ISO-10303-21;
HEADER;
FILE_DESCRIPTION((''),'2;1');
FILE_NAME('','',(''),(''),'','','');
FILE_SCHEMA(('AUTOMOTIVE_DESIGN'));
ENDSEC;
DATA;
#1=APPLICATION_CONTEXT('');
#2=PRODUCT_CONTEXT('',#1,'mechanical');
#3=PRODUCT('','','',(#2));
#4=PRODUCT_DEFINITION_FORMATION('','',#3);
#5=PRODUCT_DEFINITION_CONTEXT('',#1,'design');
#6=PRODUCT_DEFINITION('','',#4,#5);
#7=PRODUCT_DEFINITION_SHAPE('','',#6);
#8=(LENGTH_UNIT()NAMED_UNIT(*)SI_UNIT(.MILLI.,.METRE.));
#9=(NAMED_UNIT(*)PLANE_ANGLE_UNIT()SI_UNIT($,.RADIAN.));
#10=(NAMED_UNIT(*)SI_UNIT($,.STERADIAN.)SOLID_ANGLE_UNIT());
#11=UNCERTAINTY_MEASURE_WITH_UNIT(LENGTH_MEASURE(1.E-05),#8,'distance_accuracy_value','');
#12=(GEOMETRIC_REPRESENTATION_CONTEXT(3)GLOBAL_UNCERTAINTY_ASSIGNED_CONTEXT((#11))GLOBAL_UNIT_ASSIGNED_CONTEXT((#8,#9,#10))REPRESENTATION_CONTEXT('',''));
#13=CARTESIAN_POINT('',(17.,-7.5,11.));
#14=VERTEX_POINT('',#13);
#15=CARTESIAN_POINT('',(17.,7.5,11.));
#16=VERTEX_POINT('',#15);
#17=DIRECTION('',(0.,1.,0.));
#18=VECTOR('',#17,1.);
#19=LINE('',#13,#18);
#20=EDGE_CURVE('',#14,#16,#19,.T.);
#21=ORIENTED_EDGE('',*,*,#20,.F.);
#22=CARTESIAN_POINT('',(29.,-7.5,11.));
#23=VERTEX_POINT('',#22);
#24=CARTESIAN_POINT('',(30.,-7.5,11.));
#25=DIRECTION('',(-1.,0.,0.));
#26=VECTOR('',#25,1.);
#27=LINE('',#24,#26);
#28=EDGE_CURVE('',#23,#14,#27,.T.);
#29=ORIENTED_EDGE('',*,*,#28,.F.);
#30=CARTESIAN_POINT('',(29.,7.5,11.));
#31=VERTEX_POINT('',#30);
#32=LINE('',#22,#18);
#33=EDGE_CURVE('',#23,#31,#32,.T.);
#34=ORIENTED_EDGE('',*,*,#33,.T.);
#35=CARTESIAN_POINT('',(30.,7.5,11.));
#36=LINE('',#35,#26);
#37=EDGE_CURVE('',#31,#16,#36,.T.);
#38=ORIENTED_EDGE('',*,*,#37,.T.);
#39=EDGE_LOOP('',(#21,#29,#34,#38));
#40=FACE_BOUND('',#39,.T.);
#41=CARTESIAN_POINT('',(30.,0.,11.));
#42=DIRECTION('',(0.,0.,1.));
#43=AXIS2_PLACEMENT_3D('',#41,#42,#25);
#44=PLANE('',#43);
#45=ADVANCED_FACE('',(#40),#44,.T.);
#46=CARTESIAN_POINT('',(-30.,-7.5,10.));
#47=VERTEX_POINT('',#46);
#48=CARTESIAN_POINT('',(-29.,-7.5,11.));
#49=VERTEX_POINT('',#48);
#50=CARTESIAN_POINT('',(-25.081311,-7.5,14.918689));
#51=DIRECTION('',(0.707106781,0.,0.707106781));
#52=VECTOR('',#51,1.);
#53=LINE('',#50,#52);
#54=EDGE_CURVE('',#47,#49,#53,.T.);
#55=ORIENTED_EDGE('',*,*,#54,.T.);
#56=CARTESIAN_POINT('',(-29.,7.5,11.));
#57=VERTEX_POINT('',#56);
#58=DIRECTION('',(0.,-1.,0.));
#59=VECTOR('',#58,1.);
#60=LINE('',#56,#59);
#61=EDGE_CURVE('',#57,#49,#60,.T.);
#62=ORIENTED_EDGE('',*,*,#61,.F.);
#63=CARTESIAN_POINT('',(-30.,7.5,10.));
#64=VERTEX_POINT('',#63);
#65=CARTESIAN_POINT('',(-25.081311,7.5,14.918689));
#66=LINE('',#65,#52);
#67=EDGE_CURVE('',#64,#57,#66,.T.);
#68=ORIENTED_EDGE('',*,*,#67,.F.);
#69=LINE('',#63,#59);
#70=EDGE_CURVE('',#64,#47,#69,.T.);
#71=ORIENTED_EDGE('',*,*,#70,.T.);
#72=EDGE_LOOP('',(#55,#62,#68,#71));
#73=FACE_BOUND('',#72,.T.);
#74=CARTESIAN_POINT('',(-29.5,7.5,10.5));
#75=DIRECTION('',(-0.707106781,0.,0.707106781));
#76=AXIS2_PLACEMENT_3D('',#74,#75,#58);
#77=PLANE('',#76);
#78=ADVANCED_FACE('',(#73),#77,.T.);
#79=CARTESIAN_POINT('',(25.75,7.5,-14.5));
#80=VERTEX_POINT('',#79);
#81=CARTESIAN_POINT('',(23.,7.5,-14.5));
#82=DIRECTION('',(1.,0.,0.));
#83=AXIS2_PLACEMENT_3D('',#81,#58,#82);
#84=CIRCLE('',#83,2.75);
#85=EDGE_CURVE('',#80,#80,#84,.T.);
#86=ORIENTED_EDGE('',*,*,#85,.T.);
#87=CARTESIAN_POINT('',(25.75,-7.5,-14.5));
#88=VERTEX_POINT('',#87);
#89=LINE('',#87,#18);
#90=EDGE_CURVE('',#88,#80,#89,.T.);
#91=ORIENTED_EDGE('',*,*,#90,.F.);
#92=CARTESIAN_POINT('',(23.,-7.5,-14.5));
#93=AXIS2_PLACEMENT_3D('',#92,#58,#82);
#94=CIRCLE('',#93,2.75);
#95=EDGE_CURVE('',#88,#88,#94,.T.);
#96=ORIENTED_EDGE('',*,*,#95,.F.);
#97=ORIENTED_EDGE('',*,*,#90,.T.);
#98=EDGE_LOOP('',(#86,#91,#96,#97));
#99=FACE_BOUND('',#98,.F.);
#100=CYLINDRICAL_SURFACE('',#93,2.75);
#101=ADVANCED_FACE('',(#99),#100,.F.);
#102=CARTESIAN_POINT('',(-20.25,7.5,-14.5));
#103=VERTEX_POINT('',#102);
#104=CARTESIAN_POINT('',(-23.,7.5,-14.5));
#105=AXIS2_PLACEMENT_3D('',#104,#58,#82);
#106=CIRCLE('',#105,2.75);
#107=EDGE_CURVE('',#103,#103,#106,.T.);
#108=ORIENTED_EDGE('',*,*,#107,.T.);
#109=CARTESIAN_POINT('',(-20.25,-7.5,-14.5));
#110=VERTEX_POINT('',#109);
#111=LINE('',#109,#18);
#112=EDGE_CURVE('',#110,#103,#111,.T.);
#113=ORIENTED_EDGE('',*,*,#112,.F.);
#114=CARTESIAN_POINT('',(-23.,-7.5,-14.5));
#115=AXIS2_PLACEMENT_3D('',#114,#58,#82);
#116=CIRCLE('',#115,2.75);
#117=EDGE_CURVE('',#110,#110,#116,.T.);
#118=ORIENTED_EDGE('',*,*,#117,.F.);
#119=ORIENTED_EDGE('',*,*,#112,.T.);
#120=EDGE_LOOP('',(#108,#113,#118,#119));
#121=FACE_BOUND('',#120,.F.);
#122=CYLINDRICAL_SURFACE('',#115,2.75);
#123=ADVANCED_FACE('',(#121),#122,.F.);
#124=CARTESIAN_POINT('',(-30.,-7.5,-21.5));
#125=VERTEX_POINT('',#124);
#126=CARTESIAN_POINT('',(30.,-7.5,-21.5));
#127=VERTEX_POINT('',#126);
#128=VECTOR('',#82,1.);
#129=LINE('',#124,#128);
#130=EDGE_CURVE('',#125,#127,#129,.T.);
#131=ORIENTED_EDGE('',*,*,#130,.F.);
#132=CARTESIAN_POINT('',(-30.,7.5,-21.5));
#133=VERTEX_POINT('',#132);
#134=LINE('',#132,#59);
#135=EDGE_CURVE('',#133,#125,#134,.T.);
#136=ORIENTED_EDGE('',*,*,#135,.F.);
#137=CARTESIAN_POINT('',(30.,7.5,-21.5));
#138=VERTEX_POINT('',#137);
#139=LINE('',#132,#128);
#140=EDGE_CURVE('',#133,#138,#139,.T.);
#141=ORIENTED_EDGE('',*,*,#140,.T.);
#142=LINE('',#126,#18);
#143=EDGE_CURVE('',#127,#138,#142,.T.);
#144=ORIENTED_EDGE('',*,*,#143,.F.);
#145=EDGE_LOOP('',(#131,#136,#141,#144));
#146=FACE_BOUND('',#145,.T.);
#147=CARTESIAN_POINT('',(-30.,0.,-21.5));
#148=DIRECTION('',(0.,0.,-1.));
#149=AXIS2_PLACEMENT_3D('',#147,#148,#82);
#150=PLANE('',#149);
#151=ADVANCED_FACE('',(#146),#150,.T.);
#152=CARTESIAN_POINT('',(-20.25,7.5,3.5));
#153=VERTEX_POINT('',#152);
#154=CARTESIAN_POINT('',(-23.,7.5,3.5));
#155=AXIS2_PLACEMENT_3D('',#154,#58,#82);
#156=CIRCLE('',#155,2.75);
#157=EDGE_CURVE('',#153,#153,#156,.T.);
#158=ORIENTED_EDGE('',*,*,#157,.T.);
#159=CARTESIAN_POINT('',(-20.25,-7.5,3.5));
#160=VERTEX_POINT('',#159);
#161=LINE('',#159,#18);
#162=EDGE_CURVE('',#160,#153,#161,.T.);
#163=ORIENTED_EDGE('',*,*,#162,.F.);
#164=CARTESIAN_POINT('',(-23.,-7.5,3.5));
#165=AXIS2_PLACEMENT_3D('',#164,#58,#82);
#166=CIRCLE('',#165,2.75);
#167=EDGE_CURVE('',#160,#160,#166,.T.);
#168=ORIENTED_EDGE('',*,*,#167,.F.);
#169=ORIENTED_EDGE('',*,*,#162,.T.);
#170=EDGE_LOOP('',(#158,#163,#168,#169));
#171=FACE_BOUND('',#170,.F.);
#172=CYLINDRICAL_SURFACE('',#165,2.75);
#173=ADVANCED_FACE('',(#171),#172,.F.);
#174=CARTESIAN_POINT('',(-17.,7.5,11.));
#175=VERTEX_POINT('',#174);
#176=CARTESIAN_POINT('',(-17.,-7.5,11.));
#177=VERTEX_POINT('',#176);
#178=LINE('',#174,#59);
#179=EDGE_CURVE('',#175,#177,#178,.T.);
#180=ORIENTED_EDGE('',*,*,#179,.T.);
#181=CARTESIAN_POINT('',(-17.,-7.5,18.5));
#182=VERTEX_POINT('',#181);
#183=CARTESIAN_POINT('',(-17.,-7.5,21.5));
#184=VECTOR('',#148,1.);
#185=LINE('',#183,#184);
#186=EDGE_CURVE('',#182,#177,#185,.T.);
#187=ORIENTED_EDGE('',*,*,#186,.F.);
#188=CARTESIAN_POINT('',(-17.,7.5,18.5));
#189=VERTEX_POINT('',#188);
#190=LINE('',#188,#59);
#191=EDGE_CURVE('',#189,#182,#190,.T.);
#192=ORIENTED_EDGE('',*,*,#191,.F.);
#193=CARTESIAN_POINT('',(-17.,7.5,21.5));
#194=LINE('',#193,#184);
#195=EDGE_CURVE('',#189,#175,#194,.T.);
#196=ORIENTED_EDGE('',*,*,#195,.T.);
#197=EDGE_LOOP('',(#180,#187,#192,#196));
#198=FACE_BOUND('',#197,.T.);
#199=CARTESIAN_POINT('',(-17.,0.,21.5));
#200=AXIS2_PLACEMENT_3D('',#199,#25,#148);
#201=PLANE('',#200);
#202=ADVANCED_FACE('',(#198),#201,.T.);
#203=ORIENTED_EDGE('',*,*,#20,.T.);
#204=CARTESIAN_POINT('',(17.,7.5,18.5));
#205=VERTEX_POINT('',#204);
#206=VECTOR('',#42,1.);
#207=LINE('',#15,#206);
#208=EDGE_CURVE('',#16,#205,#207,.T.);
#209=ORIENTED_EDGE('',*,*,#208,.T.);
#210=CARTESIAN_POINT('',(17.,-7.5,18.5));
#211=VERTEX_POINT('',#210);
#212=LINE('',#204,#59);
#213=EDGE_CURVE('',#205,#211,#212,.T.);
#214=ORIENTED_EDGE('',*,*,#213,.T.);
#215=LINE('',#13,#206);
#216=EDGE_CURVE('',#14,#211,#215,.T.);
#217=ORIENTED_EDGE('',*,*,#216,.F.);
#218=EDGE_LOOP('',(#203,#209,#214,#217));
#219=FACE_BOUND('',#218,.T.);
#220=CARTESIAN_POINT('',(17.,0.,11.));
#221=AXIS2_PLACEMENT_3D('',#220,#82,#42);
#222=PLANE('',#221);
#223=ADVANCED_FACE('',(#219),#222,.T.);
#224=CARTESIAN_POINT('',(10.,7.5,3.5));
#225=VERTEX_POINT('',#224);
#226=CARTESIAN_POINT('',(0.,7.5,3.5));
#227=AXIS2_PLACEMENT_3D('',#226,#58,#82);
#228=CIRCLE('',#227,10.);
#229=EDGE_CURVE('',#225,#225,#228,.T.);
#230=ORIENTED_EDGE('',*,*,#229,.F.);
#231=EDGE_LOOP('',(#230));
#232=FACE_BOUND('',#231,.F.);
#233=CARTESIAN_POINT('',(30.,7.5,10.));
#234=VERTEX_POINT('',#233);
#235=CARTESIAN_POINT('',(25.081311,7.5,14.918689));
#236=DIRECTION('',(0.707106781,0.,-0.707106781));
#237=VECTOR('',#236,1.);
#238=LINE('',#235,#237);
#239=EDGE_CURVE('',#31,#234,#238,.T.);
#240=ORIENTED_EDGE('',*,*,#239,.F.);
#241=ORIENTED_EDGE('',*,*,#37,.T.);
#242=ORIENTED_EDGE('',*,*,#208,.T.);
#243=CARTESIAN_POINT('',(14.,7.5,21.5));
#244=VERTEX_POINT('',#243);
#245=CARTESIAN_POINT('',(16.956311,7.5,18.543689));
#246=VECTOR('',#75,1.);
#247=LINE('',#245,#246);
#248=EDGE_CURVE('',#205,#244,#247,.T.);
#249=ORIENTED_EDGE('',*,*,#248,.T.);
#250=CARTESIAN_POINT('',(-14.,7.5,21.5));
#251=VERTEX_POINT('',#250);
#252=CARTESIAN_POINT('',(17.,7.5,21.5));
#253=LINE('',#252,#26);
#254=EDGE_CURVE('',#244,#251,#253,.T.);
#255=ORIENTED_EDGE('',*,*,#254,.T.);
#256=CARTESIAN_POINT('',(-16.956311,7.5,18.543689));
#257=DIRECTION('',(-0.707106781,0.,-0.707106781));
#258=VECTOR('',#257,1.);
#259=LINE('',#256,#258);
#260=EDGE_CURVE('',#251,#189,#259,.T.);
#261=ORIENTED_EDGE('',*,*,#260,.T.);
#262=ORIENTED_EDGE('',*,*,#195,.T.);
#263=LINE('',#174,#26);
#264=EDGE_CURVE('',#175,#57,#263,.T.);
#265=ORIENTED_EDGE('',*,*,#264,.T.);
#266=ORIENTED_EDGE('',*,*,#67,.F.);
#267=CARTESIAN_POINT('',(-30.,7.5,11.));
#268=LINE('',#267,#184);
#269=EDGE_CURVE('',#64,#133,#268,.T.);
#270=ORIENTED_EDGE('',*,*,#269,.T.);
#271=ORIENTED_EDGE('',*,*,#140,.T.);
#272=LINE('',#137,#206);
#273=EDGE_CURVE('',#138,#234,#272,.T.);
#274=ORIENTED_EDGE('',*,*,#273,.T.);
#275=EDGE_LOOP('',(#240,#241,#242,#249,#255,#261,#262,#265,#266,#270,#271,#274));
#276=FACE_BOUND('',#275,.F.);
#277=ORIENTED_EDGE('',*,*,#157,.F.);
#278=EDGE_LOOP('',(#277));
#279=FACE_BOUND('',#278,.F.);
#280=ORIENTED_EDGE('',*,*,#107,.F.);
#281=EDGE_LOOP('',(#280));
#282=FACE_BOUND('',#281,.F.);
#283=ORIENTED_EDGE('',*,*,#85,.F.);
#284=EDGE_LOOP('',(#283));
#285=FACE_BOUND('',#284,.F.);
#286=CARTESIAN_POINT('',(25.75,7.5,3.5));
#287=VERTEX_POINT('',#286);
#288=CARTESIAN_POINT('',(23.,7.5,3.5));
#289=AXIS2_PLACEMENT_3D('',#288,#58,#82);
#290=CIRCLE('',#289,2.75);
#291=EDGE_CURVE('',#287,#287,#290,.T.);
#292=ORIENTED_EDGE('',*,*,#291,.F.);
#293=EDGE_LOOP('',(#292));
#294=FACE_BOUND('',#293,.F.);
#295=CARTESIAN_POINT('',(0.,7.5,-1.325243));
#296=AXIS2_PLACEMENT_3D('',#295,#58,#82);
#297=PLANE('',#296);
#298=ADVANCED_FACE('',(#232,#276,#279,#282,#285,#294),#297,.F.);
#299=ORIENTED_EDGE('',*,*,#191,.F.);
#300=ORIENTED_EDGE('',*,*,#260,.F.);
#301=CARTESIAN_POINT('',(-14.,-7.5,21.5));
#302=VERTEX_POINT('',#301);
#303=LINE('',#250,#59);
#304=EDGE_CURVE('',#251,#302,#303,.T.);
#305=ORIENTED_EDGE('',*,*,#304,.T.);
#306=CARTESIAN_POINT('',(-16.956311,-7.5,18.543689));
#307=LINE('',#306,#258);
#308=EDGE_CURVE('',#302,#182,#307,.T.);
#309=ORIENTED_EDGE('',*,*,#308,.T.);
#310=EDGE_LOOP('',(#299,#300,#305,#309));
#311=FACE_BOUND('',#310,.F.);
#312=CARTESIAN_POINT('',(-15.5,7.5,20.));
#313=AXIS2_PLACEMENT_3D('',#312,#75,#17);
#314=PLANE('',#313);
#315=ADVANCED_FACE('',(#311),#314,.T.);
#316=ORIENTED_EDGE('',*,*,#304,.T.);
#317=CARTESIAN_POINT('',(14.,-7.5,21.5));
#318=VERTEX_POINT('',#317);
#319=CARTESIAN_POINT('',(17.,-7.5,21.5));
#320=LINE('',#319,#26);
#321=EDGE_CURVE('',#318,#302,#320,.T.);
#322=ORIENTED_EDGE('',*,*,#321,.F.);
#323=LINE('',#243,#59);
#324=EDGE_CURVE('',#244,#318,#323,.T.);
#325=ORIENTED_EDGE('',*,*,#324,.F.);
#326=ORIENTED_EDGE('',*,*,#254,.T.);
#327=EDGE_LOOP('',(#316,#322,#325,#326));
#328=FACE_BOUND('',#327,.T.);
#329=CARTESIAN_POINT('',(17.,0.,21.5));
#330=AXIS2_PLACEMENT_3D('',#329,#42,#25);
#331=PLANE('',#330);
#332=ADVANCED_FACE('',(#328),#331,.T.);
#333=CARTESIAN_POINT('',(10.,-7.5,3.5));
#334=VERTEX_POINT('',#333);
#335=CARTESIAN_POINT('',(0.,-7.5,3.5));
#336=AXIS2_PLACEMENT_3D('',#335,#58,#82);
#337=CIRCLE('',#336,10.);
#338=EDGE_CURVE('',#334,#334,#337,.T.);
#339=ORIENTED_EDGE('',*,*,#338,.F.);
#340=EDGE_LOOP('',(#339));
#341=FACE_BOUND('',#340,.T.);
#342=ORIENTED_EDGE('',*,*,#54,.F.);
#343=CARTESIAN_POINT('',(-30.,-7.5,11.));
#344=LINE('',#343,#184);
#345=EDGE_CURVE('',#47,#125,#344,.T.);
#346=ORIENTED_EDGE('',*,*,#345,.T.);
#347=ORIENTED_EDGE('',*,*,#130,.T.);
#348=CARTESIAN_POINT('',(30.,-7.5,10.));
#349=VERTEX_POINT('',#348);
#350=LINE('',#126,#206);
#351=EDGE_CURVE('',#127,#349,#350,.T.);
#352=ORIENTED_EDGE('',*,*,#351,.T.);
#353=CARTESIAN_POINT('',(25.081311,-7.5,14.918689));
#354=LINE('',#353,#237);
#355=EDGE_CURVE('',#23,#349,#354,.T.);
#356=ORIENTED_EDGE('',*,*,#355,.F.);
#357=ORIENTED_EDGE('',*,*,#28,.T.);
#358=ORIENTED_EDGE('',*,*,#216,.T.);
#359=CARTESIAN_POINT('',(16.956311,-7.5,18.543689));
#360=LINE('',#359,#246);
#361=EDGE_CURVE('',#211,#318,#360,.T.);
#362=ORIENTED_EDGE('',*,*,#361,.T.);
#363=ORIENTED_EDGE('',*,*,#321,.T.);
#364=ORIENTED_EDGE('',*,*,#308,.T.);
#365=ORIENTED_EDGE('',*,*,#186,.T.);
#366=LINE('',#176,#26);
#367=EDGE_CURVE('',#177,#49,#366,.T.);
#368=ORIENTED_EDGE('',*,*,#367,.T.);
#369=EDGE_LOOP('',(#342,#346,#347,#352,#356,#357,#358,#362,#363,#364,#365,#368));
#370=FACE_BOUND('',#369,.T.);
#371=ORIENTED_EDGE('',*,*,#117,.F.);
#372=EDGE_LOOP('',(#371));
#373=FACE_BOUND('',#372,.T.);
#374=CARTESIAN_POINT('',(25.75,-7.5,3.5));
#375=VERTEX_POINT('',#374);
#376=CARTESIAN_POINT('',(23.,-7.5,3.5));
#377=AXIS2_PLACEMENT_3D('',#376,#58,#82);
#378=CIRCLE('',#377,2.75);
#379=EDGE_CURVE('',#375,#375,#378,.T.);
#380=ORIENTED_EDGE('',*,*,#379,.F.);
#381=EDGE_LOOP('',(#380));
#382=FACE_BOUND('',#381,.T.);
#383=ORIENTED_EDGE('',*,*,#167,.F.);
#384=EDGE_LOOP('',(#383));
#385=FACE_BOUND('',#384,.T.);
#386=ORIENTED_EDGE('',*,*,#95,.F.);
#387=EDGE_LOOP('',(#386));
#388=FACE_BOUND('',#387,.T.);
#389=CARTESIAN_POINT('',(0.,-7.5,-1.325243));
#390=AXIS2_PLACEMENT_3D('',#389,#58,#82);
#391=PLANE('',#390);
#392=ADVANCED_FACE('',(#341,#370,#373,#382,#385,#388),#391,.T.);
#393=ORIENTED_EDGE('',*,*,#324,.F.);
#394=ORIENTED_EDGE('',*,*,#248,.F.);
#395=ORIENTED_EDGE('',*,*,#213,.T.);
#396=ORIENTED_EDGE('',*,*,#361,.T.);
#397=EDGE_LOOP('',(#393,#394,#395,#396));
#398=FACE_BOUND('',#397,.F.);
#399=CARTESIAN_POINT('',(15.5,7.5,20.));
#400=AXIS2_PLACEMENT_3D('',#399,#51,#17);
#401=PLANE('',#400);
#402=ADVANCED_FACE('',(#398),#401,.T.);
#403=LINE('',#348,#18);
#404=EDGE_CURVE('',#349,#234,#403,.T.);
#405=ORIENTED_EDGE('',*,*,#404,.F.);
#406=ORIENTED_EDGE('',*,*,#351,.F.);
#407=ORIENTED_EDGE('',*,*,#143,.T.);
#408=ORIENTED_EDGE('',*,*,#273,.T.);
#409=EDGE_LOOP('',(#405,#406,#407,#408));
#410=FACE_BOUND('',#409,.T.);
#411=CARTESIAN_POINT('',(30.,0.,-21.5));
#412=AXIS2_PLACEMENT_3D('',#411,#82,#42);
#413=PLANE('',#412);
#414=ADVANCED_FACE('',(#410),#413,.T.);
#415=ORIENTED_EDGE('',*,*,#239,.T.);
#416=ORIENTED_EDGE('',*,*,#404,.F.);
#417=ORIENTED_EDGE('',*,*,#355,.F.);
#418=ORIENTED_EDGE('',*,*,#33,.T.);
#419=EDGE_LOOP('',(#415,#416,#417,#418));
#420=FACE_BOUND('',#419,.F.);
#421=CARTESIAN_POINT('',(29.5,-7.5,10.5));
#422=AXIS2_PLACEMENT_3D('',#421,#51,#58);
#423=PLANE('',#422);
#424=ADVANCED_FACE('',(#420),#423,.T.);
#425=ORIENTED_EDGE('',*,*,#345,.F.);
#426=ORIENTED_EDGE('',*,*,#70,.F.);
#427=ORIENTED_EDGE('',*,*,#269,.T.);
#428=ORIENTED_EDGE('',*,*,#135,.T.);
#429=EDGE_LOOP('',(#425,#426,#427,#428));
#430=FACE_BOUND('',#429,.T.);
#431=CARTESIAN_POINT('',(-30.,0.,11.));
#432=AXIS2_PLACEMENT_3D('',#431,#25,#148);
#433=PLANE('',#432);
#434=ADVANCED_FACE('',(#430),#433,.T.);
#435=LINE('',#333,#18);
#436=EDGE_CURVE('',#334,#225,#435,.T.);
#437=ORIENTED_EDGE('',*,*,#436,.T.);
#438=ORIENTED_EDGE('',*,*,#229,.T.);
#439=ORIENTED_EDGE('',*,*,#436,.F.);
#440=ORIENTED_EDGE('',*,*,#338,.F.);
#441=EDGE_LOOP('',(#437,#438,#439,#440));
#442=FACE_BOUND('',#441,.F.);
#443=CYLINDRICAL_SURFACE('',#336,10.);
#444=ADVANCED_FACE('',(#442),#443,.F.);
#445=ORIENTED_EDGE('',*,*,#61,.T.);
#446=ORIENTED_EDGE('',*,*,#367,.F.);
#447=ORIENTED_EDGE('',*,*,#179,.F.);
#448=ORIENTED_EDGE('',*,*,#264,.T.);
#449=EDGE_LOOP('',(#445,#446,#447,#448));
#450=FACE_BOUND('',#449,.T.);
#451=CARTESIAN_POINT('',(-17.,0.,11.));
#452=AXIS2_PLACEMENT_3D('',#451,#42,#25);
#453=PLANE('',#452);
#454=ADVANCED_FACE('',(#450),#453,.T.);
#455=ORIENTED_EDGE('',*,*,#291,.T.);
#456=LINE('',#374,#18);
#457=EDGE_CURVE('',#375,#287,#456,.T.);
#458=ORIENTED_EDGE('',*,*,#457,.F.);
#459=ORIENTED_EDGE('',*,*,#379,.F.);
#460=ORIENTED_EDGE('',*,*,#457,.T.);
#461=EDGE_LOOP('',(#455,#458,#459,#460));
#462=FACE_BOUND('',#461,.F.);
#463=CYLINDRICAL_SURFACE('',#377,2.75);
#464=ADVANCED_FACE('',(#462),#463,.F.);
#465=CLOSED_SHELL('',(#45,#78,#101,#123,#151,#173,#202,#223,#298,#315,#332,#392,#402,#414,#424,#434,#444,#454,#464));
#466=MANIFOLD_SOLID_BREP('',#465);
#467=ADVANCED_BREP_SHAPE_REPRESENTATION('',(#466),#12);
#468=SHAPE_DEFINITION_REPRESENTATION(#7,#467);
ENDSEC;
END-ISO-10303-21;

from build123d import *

# Parameters (mm, degrees)
F1_DEPTH = 7.5
F2_R     = 10
F2_R_2   = 2.75
F3_DEPTH = 15
F4_SIZE  = 3
F5_SIZE  = 1


with BuildPart() as f1:
    # F0 (on Front) → F1 (new body, symmetric)
    with BuildSketch(Plane.XZ):
        Polygon((17, 11), (17, 21.5), (-17, 21.5), (-17, 11), (-30, 11), (-30, -21.5), (30, -21.5), (30, 11), align=None)
    extrude(amount=F1_DEPTH, both=True)

    # F2 (on face) → F3 (cut)
    with BuildSketch(Plane.XZ.offset(7.5)):
        with Locations((0, 3.5)):
            Circle(F2_R)
        with Locations((-23, 3.5)):
            Circle(F2_R_2)
        with Locations((23, 3.5)):
            Circle(F2_R_2)
        with Locations((-23, -14.5)):
            Circle(F2_R_2)
        with Locations((23, -14.5)):
            Circle(F2_R_2)
    extrude(amount=-F3_DEPTH, mode=Mode.SUBTRACT)

    # F4
    f4_edges = [f1.edges().sort_by_distance(p)[0] for p in [
        (17, 0, 21.5),
        (-17, 0, 21.5),
    ]]
    chamfer(f4_edges, length=F4_SIZE)

    # F5
    f5_edges = [f1.edges().sort_by_distance(p)[0] for p in [
        (-30, 0, 11),
        (30, 0, 11),
    ]]
    chamfer(f5_edges, length=F5_SIZE)


solid = f1.part
